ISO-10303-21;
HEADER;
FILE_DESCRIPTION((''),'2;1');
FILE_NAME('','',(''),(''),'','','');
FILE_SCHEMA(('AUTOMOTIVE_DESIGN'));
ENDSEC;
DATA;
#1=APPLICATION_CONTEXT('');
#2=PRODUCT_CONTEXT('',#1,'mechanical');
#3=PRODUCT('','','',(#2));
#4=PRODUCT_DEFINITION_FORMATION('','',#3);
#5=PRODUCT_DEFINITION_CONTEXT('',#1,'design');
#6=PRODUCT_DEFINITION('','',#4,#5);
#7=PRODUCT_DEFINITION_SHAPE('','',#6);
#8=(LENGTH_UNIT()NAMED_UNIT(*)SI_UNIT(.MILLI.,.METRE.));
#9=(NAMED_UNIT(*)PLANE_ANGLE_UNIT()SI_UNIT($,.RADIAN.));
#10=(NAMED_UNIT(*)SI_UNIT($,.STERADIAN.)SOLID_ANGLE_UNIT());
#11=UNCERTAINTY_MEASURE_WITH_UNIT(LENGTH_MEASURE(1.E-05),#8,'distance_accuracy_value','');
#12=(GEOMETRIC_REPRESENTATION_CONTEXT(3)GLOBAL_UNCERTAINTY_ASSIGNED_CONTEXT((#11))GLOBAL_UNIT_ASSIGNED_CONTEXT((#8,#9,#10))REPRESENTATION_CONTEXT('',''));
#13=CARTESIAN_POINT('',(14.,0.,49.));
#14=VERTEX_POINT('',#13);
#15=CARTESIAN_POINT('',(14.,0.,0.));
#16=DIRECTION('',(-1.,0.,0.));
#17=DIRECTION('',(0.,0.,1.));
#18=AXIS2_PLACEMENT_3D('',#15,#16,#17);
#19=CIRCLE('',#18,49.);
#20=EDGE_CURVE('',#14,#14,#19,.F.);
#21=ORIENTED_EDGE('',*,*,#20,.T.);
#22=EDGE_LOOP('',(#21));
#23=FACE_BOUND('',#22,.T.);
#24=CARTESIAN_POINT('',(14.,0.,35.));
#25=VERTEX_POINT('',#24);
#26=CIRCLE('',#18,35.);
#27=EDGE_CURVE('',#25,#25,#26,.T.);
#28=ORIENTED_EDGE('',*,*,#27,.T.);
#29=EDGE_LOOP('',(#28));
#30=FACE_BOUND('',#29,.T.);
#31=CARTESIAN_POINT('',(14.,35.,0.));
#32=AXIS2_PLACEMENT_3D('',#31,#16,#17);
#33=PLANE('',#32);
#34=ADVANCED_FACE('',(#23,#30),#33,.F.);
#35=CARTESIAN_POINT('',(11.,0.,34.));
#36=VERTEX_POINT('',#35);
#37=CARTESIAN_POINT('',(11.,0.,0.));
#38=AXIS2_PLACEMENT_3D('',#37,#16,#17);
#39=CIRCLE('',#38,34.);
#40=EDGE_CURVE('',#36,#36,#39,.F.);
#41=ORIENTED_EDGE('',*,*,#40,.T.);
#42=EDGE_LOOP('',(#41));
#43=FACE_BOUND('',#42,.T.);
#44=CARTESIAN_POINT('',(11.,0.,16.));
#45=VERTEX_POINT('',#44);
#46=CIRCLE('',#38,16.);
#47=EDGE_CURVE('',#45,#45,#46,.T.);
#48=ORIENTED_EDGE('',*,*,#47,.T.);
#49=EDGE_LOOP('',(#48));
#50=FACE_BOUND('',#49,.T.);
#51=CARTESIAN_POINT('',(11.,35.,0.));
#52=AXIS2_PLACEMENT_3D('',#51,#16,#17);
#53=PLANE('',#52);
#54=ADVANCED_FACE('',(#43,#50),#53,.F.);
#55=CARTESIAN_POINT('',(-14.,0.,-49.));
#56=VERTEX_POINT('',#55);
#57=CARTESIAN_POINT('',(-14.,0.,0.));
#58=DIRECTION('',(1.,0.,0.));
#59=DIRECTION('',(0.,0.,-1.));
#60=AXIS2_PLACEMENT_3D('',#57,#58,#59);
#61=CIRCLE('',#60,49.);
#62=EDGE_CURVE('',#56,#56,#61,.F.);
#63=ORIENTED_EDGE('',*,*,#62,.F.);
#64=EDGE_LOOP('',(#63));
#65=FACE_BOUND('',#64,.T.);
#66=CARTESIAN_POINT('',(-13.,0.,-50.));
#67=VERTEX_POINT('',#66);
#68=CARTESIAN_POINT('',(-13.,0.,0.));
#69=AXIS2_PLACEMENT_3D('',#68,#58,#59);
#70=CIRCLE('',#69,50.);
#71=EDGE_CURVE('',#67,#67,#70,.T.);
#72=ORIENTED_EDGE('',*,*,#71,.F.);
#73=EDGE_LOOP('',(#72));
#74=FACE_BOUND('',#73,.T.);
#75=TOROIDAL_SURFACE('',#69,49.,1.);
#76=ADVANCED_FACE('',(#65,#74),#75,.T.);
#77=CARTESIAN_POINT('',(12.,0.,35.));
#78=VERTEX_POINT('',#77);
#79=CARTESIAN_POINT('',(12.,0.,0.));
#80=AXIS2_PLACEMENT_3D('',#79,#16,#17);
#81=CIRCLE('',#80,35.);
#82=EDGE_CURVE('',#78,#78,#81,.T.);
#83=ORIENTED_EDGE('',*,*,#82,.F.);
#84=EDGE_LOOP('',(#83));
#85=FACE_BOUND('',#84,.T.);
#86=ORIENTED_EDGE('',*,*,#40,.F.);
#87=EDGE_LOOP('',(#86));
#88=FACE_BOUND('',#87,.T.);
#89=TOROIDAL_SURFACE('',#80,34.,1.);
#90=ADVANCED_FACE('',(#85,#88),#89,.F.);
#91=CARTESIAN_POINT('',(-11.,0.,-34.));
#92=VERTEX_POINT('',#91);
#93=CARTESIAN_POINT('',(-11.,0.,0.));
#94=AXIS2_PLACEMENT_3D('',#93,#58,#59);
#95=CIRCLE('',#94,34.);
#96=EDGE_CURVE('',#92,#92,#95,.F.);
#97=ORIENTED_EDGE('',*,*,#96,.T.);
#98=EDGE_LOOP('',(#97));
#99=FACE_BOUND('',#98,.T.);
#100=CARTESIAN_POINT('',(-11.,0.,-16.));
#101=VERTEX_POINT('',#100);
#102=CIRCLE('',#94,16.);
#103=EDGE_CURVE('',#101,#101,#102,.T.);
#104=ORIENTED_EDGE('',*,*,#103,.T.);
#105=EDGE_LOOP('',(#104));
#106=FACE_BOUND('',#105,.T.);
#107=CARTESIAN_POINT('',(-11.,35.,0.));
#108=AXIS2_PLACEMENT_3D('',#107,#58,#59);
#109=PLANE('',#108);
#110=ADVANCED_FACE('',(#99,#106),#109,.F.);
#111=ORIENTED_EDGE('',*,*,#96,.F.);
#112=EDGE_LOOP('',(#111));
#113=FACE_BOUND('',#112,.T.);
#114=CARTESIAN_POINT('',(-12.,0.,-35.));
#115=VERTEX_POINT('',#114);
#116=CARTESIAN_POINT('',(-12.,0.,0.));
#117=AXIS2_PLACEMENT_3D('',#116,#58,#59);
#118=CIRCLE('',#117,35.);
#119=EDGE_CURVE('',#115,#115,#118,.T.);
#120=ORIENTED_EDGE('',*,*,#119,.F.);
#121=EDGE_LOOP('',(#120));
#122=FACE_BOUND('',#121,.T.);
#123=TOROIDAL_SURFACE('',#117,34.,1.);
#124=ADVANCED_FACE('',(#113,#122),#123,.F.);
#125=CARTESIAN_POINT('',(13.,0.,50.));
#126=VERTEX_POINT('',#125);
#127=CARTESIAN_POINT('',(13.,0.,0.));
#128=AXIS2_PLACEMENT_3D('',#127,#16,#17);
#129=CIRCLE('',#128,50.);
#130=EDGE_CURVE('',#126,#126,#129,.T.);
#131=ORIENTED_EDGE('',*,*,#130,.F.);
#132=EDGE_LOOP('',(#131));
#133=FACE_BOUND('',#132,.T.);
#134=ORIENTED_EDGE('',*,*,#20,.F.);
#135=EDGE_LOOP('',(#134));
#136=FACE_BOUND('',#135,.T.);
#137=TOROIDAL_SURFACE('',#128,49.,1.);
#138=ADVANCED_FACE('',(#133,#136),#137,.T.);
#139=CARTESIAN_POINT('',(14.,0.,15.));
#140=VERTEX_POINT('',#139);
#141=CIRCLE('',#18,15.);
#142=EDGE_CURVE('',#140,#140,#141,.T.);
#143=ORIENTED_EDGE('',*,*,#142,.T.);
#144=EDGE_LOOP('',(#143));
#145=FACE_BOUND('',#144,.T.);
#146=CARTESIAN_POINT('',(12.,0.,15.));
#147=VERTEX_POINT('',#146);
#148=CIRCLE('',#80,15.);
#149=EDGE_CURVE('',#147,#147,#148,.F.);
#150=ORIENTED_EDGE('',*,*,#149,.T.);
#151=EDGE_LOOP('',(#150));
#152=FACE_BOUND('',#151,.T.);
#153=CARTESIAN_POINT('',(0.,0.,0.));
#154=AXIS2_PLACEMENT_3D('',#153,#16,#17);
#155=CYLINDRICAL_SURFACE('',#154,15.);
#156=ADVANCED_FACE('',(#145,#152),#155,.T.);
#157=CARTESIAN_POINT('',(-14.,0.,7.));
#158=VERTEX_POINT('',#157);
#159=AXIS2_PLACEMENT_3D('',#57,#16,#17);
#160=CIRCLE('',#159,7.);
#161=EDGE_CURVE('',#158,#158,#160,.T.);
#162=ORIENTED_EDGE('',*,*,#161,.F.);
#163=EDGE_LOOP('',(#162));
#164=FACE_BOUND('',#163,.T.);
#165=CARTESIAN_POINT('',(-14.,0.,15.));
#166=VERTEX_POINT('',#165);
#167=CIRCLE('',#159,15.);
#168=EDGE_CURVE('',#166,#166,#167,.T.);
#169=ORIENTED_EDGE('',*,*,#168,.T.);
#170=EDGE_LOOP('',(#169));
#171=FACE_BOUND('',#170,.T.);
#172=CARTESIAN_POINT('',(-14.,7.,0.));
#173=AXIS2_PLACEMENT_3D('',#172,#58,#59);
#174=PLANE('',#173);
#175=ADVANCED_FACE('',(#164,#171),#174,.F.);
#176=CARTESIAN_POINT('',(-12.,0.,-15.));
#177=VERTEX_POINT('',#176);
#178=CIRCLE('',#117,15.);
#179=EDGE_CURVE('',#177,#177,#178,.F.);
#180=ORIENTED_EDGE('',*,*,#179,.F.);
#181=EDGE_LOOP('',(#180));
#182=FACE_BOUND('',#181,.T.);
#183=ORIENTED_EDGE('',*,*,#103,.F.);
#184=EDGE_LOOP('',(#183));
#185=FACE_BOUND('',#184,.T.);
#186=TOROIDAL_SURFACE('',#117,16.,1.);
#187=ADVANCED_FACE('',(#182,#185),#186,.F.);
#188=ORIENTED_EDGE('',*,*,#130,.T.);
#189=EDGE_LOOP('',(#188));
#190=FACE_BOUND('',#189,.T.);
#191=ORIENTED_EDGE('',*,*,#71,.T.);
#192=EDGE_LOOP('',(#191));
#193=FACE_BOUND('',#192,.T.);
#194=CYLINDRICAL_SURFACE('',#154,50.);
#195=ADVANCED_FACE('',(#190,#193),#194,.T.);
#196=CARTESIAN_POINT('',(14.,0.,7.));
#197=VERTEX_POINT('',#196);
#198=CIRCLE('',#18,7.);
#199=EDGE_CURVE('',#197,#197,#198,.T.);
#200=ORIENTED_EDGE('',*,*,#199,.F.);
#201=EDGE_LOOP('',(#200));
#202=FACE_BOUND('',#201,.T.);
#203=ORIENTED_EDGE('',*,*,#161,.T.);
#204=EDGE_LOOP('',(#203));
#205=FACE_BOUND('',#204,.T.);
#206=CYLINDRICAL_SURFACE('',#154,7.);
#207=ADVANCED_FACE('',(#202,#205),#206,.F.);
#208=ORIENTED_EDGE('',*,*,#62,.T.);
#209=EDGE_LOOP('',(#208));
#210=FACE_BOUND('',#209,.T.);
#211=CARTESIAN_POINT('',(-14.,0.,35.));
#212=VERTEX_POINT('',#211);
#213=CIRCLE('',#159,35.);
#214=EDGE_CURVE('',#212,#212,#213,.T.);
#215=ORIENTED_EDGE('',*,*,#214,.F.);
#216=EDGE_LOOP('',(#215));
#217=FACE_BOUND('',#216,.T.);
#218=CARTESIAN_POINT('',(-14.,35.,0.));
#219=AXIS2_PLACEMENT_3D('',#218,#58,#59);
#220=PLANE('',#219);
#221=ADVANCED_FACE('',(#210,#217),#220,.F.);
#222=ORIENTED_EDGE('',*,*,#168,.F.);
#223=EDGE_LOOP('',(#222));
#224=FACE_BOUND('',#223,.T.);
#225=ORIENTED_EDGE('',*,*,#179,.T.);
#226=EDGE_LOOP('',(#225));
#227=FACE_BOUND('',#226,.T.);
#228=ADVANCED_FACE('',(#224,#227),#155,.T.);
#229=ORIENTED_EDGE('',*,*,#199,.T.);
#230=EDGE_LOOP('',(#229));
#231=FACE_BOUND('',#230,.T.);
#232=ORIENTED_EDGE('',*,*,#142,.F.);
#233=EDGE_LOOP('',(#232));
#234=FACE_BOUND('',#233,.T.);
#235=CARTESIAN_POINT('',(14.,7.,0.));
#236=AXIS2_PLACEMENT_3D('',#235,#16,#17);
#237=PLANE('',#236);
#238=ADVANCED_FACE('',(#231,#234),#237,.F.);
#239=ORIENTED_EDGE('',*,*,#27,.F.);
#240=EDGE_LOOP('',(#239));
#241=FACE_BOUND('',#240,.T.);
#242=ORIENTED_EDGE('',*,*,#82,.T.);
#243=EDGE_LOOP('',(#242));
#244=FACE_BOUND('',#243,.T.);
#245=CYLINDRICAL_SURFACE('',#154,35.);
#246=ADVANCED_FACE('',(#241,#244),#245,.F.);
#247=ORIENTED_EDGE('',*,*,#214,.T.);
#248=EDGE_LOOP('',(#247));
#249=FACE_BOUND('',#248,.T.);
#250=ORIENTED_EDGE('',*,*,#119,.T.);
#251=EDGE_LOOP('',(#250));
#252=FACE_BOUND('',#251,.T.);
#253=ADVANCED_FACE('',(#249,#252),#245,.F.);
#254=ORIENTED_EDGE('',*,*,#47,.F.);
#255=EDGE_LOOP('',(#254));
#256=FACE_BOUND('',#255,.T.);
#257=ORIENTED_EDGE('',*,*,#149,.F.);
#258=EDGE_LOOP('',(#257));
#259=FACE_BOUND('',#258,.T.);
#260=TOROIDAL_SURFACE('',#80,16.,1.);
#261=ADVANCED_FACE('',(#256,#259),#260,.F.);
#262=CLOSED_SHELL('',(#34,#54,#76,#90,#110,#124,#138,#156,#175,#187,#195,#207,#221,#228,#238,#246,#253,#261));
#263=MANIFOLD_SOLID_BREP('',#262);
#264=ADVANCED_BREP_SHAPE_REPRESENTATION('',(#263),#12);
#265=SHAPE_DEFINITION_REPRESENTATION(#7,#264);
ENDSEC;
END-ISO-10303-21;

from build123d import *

# Parameters (mm, degrees)
FILLET1_R = 1


with BuildPart() as part:
    # Sketch1 → Revolve1 (revolve)
    with BuildSketch(Plane.XY):
        Polygon((14, 7), (14, 15), (11, 15), (11, 35), (14, 35), (14, 50), (-14, 50), (-14, 35), (-11, 35), (-11, 15), (-14, 15), (-14, 7), align=None)
    revolve(axis=Axis((0, 0, 0), (1, 0, 0)))

    # Fillet1
    fillet1_edges = [part.edges().sort_by_distance(p)[0] for p in [
        (-11, -15, 0),
        (-11, -35, 0),
        (-14, -50, 0),
        (14, -50, 0),
        (11, -35, 0),
        (11, -15, 0),
    ]]
    fillet(fillet1_edges, radius=FILLET1_R)


solid = part.part
